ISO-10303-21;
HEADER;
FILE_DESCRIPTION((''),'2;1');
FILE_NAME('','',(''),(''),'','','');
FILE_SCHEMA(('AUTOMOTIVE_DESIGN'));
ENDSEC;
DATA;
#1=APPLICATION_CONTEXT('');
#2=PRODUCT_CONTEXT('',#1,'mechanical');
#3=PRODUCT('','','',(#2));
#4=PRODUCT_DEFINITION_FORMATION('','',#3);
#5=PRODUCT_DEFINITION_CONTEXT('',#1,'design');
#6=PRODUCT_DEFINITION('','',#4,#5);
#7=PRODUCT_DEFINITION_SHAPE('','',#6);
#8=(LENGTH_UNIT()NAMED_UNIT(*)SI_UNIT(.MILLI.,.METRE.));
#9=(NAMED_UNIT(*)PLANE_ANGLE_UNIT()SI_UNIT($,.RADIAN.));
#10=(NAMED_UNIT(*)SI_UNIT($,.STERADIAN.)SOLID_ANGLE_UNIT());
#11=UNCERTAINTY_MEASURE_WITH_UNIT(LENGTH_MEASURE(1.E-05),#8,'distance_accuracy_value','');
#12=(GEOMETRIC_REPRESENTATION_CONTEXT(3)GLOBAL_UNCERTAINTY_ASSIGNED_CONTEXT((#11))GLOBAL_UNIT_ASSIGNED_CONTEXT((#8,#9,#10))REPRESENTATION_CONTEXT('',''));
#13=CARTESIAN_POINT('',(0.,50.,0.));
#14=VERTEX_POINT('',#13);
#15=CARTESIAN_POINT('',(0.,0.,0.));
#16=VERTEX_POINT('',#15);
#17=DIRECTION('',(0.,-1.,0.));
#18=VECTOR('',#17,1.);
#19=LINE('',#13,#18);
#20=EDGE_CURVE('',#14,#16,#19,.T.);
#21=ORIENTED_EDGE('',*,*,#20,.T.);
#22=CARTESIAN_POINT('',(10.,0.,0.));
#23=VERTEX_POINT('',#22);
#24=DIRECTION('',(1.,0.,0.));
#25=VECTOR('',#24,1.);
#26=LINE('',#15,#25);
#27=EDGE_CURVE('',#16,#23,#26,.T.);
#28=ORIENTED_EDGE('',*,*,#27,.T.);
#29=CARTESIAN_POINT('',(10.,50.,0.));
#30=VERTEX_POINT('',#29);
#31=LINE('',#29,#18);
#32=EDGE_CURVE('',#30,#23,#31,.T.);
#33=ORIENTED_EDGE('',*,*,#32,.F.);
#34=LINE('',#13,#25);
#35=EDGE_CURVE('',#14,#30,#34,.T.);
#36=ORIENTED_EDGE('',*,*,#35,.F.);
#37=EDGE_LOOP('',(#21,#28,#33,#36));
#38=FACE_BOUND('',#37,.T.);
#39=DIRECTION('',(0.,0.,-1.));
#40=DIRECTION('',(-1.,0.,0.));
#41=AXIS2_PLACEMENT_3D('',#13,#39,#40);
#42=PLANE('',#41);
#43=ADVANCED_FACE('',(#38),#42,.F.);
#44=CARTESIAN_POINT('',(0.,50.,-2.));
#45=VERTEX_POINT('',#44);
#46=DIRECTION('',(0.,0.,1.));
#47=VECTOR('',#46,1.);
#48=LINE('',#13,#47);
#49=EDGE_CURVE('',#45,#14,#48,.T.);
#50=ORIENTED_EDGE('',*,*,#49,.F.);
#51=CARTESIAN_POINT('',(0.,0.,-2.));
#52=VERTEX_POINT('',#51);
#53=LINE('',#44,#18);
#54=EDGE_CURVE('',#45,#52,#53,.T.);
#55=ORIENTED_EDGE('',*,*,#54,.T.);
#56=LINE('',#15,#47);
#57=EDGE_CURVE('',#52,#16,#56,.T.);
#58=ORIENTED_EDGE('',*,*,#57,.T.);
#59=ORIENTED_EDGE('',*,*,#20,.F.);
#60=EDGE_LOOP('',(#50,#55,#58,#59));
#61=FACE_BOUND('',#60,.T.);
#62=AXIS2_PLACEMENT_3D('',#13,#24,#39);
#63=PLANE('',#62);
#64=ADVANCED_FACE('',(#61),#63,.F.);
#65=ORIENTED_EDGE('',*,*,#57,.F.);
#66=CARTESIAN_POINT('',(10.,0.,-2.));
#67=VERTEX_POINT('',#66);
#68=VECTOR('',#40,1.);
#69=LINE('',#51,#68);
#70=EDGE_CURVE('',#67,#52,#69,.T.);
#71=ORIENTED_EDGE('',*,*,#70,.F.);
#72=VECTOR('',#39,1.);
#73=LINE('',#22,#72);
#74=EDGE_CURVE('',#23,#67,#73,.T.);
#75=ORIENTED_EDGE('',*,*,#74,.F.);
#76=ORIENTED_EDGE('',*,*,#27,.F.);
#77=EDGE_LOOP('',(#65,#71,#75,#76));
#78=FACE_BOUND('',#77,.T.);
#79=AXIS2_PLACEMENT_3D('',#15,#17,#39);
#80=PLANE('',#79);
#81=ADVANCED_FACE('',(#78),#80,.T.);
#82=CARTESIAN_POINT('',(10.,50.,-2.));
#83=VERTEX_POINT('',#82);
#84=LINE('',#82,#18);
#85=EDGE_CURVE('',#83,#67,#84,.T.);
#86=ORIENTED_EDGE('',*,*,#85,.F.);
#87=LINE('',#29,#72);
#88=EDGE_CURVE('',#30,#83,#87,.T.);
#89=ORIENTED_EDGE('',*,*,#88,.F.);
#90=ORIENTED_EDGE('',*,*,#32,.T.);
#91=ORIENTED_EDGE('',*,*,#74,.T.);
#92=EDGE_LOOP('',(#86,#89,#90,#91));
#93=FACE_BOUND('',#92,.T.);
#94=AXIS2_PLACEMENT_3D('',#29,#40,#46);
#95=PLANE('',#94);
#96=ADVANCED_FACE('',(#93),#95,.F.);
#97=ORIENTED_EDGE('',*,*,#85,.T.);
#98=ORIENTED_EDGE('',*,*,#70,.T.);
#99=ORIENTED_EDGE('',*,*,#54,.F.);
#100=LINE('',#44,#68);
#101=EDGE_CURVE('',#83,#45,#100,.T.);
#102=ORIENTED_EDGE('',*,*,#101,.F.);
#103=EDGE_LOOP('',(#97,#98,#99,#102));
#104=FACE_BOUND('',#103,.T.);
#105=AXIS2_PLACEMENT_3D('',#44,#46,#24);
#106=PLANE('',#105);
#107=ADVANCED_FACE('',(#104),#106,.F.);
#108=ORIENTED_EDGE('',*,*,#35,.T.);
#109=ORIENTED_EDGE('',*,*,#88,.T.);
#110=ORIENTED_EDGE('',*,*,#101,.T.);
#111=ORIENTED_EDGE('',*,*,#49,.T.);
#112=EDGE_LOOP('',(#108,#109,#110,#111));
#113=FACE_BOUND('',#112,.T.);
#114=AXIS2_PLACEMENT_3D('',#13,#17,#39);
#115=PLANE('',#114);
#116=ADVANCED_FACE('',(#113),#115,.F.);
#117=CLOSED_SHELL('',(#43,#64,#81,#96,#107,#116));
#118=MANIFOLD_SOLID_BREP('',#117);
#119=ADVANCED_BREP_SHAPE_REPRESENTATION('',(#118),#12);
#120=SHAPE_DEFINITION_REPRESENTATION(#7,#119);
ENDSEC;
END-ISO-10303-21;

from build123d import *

# Parameters (mm, degrees)
SKETCH_1_W      = 10
SKETCH_1_H      = 2
EXTRUDE_1_DEPTH = 50


with BuildPart() as part:
    # Эскиз1 → Бобышка-Вытянуть1 (new body)
    with BuildSketch(Plane(origin=(0, 0, 0), x_dir=(1, 0, 0), z_dir=(0, 1, 0))):
        with Locations((5, 1)):
            Rectangle(SKETCH_1_W, SKETCH_1_H)
    extrude(amount=EXTRUDE_1_DEPTH)


solid = part.part
